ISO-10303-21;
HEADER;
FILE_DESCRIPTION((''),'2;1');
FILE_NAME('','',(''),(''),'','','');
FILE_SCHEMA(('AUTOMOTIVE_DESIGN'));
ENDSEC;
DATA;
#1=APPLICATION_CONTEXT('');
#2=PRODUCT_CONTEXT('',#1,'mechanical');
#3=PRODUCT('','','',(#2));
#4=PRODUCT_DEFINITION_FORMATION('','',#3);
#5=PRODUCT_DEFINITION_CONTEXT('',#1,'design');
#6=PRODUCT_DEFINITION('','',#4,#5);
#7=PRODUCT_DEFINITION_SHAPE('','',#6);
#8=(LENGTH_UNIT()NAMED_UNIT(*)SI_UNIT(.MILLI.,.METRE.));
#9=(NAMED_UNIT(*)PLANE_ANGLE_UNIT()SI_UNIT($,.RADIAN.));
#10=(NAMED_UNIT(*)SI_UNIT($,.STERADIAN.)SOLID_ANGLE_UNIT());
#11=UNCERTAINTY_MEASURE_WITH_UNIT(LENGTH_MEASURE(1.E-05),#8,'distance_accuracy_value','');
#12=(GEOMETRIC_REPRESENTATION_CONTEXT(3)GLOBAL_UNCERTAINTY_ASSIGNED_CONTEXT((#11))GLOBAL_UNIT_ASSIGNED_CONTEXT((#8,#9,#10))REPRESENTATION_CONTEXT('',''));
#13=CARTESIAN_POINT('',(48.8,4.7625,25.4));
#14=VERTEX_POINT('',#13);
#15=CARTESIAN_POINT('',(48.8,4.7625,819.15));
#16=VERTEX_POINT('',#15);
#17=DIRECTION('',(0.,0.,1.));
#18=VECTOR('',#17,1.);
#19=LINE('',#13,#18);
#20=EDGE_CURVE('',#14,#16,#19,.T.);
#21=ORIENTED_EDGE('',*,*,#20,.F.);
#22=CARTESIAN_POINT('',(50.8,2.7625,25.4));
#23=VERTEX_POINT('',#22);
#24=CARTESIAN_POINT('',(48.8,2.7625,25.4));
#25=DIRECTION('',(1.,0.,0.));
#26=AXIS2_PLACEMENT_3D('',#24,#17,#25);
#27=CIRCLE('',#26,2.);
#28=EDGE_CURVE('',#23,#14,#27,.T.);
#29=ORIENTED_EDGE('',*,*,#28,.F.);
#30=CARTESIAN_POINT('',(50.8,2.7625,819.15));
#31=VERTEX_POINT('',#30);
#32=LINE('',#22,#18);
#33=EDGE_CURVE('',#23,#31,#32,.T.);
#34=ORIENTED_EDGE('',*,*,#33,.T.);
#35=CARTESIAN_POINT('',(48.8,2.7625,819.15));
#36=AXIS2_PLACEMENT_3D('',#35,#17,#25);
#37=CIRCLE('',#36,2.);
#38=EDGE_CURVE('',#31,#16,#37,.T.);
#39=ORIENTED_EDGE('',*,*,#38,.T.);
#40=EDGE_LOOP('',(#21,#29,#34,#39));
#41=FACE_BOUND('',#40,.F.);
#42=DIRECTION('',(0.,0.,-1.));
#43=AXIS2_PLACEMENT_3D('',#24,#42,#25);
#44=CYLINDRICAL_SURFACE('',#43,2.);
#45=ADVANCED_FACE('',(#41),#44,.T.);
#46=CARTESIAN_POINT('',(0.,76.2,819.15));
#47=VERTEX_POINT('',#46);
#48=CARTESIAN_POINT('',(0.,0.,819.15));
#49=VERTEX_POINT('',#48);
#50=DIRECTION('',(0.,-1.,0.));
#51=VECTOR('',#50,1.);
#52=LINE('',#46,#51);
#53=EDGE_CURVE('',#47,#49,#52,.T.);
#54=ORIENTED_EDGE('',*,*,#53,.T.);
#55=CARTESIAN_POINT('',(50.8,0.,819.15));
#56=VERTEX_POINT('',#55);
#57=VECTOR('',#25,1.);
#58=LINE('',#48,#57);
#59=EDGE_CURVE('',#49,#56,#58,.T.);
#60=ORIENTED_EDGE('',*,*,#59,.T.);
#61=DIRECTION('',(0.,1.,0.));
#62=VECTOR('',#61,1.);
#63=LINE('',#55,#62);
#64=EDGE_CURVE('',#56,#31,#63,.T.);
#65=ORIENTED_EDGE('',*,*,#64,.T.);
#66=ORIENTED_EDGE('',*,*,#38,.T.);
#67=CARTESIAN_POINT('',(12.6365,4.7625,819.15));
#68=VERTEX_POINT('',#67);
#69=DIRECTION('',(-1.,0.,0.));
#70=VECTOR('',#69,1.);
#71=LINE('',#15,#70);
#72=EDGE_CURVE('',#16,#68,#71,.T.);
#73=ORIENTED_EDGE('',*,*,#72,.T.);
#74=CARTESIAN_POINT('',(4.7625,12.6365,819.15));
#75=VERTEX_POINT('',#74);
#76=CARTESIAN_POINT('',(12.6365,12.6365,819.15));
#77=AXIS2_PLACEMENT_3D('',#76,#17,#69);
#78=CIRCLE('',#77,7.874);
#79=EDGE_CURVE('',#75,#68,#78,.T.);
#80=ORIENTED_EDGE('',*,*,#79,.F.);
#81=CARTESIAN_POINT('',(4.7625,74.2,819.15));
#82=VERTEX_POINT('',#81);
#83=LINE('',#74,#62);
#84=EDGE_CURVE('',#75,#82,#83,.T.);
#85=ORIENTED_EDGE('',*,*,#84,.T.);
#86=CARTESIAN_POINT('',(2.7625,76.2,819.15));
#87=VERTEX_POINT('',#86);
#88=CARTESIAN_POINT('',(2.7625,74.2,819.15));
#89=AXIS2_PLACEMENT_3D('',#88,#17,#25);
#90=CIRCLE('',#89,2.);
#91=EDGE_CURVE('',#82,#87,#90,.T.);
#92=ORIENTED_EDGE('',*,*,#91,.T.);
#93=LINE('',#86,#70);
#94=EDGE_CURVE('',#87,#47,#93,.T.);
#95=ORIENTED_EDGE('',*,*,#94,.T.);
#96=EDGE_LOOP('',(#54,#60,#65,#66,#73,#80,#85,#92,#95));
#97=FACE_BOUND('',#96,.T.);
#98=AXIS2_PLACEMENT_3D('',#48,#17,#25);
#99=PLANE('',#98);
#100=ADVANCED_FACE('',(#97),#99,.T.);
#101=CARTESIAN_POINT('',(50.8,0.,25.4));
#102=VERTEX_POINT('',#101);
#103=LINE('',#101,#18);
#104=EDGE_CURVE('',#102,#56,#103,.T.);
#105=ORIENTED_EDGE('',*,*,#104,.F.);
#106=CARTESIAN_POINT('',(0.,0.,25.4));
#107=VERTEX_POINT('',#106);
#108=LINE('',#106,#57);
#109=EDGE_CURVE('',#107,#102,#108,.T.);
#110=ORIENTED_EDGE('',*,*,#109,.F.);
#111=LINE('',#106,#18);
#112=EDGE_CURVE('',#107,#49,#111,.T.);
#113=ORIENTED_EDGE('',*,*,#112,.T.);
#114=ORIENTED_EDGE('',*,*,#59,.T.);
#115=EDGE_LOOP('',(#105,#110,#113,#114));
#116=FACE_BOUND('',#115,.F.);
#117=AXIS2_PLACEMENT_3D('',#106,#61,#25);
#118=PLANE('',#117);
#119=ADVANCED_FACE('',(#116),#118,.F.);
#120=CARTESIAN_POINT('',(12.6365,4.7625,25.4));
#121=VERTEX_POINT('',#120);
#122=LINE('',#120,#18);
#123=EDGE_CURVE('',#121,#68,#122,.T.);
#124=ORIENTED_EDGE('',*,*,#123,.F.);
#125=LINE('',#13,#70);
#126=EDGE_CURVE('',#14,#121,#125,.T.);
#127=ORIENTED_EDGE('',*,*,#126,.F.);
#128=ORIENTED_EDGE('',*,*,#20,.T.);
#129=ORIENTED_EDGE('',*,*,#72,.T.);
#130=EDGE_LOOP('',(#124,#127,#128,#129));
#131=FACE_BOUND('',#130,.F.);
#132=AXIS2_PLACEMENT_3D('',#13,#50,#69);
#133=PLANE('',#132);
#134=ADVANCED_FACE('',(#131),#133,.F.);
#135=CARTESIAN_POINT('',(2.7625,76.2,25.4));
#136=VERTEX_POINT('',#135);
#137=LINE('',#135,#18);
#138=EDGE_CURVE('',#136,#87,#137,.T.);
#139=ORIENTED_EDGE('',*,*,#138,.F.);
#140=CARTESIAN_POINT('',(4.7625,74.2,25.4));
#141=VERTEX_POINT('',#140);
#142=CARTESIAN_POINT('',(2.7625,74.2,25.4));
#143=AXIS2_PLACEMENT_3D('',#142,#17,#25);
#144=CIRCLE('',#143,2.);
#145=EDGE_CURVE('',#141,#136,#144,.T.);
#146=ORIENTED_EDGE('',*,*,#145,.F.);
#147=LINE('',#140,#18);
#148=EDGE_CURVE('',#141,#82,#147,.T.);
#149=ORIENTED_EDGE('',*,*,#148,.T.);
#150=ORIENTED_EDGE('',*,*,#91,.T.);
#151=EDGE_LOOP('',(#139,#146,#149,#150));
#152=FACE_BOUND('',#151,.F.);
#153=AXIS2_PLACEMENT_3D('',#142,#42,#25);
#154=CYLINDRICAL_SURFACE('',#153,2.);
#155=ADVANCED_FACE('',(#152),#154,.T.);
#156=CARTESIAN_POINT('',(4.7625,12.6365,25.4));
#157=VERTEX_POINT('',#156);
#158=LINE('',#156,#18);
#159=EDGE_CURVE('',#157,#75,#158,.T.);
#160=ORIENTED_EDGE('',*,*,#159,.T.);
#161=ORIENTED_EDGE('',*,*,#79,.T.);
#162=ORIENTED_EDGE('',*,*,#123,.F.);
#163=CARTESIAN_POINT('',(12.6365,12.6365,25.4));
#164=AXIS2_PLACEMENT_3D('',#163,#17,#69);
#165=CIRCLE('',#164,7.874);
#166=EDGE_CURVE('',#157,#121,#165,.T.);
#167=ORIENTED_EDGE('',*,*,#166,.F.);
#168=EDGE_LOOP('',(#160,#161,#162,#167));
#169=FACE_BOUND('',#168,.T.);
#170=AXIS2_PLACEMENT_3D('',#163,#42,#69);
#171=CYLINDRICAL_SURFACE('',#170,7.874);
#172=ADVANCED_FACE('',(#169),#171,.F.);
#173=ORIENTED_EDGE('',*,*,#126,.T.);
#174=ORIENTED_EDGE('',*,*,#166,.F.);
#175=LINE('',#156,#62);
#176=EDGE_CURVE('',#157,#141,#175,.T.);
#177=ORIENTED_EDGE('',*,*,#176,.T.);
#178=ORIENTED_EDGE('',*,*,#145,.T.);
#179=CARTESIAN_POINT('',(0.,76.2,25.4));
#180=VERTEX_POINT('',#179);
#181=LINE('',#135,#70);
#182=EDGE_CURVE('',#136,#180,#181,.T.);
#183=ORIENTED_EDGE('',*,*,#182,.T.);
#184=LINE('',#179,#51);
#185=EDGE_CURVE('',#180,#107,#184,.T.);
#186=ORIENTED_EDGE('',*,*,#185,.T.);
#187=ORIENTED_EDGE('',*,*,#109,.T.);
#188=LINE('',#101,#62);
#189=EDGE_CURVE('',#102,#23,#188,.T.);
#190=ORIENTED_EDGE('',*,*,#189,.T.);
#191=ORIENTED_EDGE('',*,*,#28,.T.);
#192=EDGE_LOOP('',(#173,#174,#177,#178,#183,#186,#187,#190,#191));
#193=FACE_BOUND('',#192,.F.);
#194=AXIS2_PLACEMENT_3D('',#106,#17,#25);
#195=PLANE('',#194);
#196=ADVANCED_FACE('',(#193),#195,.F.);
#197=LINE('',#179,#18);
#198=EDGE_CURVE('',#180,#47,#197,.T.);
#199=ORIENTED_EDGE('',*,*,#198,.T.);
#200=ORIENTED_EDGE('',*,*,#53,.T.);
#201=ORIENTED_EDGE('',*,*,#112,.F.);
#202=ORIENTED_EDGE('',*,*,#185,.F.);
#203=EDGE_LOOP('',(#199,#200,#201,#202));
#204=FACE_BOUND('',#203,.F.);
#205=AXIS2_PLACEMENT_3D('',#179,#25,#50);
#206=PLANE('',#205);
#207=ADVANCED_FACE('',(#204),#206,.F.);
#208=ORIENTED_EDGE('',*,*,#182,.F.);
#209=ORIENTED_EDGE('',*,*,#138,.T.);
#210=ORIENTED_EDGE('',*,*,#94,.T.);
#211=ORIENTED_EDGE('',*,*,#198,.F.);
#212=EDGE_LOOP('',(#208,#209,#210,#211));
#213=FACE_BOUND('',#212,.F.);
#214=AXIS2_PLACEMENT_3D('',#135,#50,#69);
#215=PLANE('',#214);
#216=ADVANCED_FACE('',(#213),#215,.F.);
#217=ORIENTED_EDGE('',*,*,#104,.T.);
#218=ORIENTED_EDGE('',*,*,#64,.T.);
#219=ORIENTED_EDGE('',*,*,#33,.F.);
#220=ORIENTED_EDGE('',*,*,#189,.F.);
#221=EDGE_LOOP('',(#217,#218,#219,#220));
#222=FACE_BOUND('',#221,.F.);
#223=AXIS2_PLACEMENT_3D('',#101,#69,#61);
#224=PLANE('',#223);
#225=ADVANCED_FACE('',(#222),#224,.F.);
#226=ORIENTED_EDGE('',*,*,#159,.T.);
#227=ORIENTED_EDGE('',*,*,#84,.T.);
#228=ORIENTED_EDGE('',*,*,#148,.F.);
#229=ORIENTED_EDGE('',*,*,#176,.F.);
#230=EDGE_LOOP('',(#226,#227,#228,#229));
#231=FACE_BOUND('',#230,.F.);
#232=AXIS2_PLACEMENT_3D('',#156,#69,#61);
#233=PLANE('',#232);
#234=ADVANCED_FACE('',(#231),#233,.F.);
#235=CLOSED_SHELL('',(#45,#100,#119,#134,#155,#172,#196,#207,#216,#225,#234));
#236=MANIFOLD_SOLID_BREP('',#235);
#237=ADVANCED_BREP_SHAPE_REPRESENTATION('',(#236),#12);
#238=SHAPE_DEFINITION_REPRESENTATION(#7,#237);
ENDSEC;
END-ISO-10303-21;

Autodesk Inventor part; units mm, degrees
ref_plane "Start plane" through (0, 0, 25.4) normal (0, 0, 1) x (1, 0, 0)
ref_plane "End plane" through (0, 0, 819.15) normal (0, 0, 1) x (1, 0, 0)
sketch "Sketch" plane through (0, 0, 0) normal (0, 0, 1) x (1, 0, 0)
  line L0 (0, 76.2) -> (0, 0)
  line L1 (0, 0) -> (50.8, 0)
  line L2 (50.8, 0) -> (50.8, 2.7625)
  line L3 (48.8, 4.7625) -> (12.6365, 4.7625)
  line L4 (4.7625, 12.6365) -> (4.7625, 74.2)
  line L5 (2.7625, 76.2) -> (0, 76.2)
  line L6 (-7.0414, 0) -> (21.5385, 0) construction
  line L7 (0, -8.0414) -> (0, 34.5385) construction
  arc A0 (4.7625, 12.6365) -> (12.6365, 4.7625) centre (12.6365, 12.6365) ccw
  arc A1 (50.8, 2.7625) -> (48.8, 4.7625) centre (48.8, 2.7625) ccw
  arc A2 (4.7625, 74.2) -> (2.7625, 76.2) centre (2.7625, 74.2) ccw
  line L8 (0, 93.5453) -> (0, -24.9725) construction
  line L9 (-18.6925, 0) -> (62.8653, 0) construction
  point P0 (50.8, 4.7625)
  point P1 (4.7625, 4.7625)
  point P2 (4.7625, 76.2)
  dimension "d12" = 4.7625
  dimension "d13" = 76.2
  dimension "d14" = 50.8
  dimension "d15" = 0
  dimension "d16" = 4.7625
  dimension "d17" = 0
  dimension "d18" = 7.874
  dimension "d19" = 2
extrude "Body" add sketch "Sketch" along normal up to surface (793.75 mm away) from surface at 25.4
sketch "Sketch3" plane through (0, 0, 0) normal (0, 0, 1) x (1, 0, 0)
  line L0 (0, 0) -> (10, 0)
ref_plane "Work Plane5" through (0, 0, 0) normal (0, -1, 0) x (1, 0, 0)
sketch "Sketch4" plane through (0, 0, 0) normal (0, -1, 0) x (1, 0, 0)
  line L0 (-2, 25.4) -> (12, 25.4)
  line L1 (-2, 819.15) -> (12, 819.15)
  dimension "d23" = 793.75
ref_plane "Work Plane3" through (400.05, 0, 819.15) normal (0, 0, 1) x (1, 0, 0)
split "Split1" plane through (400.05, 0, 819.15) removes the side toward (0, 0, 1)
ref_plane "Work Plane4" through (-923.925, 0, 25.4) normal (0, 0, -1) x (-1, 0, 0)
split "Split2" plane through (-923.925, 0, 25.4) removes the side toward (0, 0, -1)
equation "\"d12\" = G_T"
equation "\"d13\" = G_H"
equation "\"d14\" = G_W"
equation "\"d16\" = G_T"
equation "\"d18\" = G_IR"
equation "\"d4\" = G_L"
equation "\"G_W\" = 50.8"
equation "\"G_H\" = 76.2"
equation "\"G_T\" = 4.7625"
equation "\"G_ER\" = 4.064"
equation "\"G_IR\" = 7.874"
equation "\"G_L\" = d23"
equation "\"ex\" = 0"
equation "\"ey\" = 0"
equation "\"G_OFFSET_START\" = -25.4"
equation "\"G_OFFSET_END\" = -25.4"
equation "\"d20\" = -G_OFFSET_START"
equation "\"d21\" = G_OFFSET_END + B_L"
equation "\"B_L\" = 844.55"
properties part number "ANSI L 3 x 2 x 3_16 00000005"
